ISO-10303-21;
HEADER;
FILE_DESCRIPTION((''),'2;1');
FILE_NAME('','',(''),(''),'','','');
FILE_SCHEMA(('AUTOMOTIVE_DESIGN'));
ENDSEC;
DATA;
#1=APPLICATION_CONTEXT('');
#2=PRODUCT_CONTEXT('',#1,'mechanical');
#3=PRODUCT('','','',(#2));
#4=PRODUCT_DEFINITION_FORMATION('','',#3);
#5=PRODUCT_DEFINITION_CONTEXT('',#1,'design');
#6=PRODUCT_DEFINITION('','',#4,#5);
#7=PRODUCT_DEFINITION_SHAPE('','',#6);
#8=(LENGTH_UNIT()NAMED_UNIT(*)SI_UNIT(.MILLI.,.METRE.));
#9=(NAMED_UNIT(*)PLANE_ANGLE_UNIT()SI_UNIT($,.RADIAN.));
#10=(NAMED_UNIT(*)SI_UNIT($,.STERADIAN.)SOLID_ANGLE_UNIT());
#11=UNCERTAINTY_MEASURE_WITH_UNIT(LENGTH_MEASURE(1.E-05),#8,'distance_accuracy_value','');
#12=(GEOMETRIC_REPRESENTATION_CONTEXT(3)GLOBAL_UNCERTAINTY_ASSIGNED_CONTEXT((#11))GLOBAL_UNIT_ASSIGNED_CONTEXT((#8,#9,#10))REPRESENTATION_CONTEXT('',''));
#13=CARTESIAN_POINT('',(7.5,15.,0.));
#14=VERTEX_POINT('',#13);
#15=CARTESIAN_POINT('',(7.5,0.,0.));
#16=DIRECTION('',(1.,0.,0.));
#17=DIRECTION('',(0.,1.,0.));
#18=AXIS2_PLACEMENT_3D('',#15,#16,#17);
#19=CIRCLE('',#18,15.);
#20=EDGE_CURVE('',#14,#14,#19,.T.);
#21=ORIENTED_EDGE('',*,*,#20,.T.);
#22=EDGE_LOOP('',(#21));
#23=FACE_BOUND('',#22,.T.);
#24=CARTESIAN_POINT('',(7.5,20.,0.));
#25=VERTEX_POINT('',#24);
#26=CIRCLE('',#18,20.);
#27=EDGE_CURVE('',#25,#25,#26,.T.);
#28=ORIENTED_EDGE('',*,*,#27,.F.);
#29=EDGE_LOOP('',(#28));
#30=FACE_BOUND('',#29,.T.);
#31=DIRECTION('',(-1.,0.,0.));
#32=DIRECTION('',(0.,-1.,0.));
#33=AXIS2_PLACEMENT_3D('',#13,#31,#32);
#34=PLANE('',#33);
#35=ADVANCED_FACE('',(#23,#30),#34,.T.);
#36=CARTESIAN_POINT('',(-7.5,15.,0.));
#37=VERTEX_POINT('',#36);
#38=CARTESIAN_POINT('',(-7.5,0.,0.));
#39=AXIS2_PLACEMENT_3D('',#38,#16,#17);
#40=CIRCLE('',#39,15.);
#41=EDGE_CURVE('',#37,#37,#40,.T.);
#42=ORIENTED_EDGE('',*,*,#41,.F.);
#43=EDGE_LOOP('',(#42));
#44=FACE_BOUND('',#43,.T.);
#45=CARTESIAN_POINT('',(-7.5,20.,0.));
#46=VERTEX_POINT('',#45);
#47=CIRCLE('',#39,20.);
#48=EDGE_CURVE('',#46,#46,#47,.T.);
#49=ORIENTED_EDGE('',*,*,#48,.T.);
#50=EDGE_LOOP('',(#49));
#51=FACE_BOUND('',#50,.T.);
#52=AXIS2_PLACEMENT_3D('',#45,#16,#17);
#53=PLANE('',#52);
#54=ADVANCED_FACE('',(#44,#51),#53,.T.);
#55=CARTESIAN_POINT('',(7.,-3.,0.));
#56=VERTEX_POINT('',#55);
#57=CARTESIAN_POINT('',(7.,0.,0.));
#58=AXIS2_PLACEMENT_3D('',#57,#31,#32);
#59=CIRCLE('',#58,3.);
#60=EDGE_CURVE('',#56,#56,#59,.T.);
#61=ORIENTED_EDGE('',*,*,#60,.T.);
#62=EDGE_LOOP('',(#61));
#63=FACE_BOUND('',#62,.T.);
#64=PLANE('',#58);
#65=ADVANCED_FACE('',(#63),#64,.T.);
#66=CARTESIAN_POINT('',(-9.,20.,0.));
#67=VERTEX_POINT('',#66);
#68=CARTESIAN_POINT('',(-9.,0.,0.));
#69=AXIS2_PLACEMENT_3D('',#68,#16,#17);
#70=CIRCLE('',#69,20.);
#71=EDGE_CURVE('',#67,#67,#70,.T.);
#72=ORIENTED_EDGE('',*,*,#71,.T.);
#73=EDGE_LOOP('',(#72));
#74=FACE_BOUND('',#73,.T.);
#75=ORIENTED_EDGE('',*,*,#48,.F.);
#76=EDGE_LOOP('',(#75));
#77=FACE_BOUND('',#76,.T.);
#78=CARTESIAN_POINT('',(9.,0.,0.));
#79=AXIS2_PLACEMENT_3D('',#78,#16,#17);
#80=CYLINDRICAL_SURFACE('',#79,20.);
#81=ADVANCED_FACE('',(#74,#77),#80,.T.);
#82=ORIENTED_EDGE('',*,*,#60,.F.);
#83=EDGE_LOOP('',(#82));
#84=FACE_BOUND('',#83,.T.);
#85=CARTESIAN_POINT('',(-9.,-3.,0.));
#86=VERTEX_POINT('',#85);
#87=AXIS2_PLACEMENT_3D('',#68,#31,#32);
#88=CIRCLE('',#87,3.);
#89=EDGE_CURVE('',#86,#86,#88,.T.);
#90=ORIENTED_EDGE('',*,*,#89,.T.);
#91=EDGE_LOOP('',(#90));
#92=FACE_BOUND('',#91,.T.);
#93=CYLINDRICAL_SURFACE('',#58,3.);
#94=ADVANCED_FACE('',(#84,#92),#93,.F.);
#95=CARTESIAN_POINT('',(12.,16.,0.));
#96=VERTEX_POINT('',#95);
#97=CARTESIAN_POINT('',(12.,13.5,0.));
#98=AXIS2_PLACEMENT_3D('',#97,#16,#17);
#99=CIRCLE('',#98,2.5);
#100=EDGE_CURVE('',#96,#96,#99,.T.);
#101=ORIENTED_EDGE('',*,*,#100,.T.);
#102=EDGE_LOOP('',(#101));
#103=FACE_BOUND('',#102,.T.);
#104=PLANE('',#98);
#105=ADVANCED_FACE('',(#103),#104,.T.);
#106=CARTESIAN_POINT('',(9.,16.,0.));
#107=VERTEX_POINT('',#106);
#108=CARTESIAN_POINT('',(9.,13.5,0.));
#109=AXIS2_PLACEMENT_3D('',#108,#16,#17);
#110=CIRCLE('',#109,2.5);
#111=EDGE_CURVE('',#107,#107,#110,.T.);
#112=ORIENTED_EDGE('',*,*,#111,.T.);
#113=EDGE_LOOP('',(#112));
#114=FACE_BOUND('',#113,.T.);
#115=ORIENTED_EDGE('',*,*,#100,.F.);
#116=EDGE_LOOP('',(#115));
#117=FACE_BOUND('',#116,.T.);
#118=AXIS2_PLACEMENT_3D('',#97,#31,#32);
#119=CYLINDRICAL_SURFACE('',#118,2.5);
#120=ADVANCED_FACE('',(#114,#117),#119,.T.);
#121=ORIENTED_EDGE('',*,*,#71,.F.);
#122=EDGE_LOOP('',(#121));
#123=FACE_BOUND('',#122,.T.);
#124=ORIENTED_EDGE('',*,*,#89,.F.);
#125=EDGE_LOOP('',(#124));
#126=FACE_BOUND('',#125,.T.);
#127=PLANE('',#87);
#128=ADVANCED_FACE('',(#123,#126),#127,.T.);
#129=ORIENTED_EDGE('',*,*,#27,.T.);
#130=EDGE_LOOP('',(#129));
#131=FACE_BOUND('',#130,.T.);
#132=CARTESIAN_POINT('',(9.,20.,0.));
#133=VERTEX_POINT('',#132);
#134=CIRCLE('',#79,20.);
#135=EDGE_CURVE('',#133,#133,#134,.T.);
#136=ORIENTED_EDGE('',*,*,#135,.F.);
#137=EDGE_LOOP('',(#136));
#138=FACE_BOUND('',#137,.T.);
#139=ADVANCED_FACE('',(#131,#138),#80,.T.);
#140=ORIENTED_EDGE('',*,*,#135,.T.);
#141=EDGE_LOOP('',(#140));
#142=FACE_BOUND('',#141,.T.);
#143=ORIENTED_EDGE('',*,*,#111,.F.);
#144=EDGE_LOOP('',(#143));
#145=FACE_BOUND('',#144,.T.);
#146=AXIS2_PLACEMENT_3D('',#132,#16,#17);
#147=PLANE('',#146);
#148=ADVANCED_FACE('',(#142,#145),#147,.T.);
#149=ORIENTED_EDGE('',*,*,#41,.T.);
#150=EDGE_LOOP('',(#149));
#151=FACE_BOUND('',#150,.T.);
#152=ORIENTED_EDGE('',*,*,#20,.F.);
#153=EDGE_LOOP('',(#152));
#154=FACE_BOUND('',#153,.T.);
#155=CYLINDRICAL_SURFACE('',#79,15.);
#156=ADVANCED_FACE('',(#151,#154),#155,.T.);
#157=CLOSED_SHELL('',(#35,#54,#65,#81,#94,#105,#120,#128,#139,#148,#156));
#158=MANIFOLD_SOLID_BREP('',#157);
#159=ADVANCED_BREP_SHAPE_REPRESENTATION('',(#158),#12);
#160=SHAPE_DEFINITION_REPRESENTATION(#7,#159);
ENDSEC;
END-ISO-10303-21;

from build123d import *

# Parameters (mm, degrees)
SKETCH6_R           = 2.5
BOSS_EXTRUDE2_DEPTH = 3
SKETCH7_R           = 3
CUT_EXTRUDE2_DEPTH  = 16


with BuildPart() as part:
    # Sketch4 → Revolve1 (revolve)
    with BuildSketch(Plane.XY):
        Polygon((-7.5, 15), (7.5, 15), (7.5, 20), (9, 20), (9, 0), (-9, 0), (-9, 20), (-7.5, 20), align=None)
    revolve(axis=Axis((9, 0, 0), (-1, 0, 0)))

    # Sketch6 → Boss-Extrude2 (add)
    with BuildSketch(Plane(origin=(9, 0, 0), x_dir=(0, 0, -1), z_dir=(1, 0, 0))):
        with Locations(Location((0, 13.5, 0), (0, 0, 90))):
            Circle(SKETCH6_R)
    extrude(amount=BOSS_EXTRUDE2_DEPTH)

    # Sketch7 → Cut-Extrude2 (cut)
    with BuildSketch(Plane.ZY.offset(9)):
        with Locations(Location((0, 0, 0), (0, 0, 270))):
            Circle(SKETCH7_R)
    extrude(amount=-CUT_EXTRUDE2_DEPTH, mode=Mode.SUBTRACT)


solid = part.part
